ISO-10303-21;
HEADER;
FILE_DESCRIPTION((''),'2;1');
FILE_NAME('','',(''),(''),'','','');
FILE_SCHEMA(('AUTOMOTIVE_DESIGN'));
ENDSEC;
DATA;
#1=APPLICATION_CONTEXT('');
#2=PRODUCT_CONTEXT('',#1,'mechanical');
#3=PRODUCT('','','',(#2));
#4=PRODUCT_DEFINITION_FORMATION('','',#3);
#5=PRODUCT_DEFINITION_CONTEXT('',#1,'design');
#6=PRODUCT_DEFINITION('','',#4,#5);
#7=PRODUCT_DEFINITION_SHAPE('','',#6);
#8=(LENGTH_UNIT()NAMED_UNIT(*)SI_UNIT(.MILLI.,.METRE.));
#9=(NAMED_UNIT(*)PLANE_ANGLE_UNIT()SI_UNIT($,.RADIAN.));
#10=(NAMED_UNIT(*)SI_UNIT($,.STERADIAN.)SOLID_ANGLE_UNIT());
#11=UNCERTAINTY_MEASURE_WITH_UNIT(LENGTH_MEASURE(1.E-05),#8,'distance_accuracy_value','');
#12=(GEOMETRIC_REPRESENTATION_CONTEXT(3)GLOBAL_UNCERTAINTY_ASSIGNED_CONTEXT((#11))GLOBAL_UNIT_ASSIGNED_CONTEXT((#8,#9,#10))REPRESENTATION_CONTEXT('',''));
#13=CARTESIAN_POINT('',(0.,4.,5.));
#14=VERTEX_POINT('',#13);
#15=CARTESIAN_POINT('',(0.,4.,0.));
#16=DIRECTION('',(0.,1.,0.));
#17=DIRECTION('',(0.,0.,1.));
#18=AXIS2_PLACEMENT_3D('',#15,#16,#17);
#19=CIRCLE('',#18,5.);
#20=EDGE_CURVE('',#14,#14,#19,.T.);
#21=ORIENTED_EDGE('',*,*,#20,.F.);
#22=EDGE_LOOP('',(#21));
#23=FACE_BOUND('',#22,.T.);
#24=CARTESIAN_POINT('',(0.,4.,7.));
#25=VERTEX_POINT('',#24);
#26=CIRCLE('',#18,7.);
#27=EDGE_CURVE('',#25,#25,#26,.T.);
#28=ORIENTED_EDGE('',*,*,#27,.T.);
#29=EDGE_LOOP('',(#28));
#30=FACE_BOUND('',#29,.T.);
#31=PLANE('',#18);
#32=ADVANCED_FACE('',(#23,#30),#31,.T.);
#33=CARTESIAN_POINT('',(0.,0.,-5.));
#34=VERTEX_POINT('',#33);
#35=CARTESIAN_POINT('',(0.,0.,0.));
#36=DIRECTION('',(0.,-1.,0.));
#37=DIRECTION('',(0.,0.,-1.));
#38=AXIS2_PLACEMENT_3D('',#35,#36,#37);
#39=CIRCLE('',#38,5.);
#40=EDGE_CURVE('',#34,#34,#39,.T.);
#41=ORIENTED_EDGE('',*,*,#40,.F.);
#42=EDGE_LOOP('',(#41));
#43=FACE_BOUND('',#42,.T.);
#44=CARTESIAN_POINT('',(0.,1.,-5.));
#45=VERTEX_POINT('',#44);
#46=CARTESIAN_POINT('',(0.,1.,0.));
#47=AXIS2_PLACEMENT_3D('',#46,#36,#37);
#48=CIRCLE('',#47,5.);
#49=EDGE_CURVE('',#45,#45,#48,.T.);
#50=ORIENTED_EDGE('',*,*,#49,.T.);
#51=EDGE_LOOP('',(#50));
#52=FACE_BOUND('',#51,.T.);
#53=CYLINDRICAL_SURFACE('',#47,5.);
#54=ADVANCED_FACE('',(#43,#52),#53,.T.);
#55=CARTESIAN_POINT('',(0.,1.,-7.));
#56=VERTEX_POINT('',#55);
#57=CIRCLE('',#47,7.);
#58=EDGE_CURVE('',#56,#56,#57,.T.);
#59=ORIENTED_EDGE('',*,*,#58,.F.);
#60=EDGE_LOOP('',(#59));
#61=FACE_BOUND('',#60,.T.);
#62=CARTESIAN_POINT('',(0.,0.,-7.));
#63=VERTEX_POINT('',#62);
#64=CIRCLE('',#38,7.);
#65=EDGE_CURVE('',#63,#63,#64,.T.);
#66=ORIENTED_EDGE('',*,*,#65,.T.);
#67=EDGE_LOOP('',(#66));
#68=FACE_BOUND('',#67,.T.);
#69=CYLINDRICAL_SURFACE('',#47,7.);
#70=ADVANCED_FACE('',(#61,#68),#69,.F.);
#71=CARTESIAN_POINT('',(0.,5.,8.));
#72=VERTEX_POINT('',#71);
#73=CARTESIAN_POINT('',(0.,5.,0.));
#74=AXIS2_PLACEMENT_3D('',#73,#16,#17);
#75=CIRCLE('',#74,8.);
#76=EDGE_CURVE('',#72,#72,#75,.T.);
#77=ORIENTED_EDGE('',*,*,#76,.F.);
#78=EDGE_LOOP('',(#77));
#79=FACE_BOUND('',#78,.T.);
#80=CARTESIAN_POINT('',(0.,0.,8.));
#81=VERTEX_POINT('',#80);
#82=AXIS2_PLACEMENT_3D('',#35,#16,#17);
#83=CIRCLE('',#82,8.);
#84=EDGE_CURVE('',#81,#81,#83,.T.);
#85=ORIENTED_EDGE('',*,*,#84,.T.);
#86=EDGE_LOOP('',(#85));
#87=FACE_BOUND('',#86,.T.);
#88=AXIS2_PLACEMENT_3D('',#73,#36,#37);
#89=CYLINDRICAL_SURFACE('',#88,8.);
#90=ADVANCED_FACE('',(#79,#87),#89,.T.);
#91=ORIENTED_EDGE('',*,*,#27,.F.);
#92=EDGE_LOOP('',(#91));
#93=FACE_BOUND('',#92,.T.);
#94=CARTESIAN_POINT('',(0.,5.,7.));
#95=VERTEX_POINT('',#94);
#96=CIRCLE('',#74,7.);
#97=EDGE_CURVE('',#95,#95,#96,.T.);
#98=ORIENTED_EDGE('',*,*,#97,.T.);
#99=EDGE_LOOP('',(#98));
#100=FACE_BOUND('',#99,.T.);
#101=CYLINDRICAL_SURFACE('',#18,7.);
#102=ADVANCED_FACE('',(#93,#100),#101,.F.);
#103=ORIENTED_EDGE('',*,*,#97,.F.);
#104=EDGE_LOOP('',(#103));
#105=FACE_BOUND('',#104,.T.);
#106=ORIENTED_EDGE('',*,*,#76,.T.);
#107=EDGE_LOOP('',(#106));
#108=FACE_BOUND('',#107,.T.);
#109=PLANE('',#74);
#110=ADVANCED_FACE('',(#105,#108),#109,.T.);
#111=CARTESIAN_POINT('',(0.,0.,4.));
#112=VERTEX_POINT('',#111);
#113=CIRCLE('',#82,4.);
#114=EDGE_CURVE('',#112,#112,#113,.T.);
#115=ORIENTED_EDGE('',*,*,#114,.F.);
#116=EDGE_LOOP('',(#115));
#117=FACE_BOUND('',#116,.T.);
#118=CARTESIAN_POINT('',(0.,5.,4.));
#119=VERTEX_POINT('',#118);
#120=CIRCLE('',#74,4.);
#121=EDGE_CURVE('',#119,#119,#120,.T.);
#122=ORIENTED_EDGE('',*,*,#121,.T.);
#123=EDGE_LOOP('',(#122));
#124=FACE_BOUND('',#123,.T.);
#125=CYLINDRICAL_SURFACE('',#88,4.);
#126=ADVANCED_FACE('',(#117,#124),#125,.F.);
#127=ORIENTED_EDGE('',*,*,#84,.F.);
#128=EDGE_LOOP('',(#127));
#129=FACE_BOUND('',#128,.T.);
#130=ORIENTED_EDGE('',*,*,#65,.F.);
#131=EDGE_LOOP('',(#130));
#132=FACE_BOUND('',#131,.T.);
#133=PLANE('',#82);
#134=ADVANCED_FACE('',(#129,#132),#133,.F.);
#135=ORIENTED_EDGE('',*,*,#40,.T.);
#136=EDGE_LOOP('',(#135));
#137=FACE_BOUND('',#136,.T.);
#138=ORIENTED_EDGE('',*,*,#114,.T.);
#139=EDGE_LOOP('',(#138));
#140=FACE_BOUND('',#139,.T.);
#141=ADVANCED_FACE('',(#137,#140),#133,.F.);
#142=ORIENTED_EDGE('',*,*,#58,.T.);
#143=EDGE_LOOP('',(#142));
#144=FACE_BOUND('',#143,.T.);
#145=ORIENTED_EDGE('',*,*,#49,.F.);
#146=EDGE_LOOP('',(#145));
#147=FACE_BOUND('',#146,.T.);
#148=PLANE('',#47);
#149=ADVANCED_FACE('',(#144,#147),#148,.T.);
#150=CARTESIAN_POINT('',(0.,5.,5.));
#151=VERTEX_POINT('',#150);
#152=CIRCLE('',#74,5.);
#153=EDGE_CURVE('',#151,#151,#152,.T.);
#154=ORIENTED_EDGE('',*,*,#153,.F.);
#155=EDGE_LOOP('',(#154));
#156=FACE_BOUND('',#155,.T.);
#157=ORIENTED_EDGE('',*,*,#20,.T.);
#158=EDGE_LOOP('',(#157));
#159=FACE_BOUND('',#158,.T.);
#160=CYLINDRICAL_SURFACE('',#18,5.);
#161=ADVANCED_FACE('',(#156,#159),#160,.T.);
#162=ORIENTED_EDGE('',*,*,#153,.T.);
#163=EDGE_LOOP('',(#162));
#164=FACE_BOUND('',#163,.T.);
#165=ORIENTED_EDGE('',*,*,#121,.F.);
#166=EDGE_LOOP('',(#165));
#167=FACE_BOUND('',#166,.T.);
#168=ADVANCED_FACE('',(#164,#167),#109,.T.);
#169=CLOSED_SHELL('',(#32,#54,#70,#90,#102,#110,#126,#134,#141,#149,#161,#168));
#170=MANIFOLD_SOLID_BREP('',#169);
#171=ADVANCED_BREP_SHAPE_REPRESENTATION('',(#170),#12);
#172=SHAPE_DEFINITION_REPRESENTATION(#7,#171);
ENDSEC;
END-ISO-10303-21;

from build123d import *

# Parameters (mm, degrees)
SKETCH1_R           = 8
SKETCH1_R_2         = 4
BOSS_EXTRUDE1_DEPTH = 5
SKETCH2_R           = 7
SKETCH2_R_2         = 5
CUT_EXTRUDE1_DEPTH  = 1
CUT_EXTRUDE2_START  = -1
SKETCH3_R           = 7
SKETCH3_R_2         = 5
CUT_EXTRUDE2_DEPTH  = 1


with BuildPart() as part:
    # Sketch1 → Boss-Extrude1 (new body)
    with BuildSketch(Plane(origin=(0, 0, 0), x_dir=(1, 0, 0), z_dir=(0, 1, 0))):
        with Locations(Location((0, 0, 0), (0, 0, 270))):
            Circle(SKETCH1_R)
        with Locations(Location((0, 0, 0), (0, 0, 270))):
            Circle(SKETCH1_R_2, mode=Mode.SUBTRACT)
    extrude(amount=BOSS_EXTRUDE1_DEPTH)

    # Sketch2 → Cut-Extrude1 (cut)
    with BuildSketch(Plane(origin=(0, 5, 0), x_dir=(1, 0, 0), z_dir=(0, 1, 0))):
        with Locations(Location((0, 0, 0), (0, 0, 270))):
            Circle(SKETCH2_R)
        with Locations(Location((0, 0, 0), (0, 0, 270))):
            Circle(SKETCH2_R_2, mode=Mode.SUBTRACT)
    extrude(amount=-CUT_EXTRUDE1_DEPTH, mode=Mode.SUBTRACT)

    # Sketch3 → Cut-Extrude2 (cut)
    with BuildSketch(Plane.XZ.offset(CUT_EXTRUDE2_START)):
        with Locations(Location((0, 0, 0), (0, 0, 90))):
            Circle(SKETCH3_R)
        with Locations(Location((0, 0, 0), (0, 0, 90))):
            Circle(SKETCH3_R_2, mode=Mode.SUBTRACT)
    extrude(amount=CUT_EXTRUDE2_DEPTH, mode=Mode.SUBTRACT)


solid = part.part
